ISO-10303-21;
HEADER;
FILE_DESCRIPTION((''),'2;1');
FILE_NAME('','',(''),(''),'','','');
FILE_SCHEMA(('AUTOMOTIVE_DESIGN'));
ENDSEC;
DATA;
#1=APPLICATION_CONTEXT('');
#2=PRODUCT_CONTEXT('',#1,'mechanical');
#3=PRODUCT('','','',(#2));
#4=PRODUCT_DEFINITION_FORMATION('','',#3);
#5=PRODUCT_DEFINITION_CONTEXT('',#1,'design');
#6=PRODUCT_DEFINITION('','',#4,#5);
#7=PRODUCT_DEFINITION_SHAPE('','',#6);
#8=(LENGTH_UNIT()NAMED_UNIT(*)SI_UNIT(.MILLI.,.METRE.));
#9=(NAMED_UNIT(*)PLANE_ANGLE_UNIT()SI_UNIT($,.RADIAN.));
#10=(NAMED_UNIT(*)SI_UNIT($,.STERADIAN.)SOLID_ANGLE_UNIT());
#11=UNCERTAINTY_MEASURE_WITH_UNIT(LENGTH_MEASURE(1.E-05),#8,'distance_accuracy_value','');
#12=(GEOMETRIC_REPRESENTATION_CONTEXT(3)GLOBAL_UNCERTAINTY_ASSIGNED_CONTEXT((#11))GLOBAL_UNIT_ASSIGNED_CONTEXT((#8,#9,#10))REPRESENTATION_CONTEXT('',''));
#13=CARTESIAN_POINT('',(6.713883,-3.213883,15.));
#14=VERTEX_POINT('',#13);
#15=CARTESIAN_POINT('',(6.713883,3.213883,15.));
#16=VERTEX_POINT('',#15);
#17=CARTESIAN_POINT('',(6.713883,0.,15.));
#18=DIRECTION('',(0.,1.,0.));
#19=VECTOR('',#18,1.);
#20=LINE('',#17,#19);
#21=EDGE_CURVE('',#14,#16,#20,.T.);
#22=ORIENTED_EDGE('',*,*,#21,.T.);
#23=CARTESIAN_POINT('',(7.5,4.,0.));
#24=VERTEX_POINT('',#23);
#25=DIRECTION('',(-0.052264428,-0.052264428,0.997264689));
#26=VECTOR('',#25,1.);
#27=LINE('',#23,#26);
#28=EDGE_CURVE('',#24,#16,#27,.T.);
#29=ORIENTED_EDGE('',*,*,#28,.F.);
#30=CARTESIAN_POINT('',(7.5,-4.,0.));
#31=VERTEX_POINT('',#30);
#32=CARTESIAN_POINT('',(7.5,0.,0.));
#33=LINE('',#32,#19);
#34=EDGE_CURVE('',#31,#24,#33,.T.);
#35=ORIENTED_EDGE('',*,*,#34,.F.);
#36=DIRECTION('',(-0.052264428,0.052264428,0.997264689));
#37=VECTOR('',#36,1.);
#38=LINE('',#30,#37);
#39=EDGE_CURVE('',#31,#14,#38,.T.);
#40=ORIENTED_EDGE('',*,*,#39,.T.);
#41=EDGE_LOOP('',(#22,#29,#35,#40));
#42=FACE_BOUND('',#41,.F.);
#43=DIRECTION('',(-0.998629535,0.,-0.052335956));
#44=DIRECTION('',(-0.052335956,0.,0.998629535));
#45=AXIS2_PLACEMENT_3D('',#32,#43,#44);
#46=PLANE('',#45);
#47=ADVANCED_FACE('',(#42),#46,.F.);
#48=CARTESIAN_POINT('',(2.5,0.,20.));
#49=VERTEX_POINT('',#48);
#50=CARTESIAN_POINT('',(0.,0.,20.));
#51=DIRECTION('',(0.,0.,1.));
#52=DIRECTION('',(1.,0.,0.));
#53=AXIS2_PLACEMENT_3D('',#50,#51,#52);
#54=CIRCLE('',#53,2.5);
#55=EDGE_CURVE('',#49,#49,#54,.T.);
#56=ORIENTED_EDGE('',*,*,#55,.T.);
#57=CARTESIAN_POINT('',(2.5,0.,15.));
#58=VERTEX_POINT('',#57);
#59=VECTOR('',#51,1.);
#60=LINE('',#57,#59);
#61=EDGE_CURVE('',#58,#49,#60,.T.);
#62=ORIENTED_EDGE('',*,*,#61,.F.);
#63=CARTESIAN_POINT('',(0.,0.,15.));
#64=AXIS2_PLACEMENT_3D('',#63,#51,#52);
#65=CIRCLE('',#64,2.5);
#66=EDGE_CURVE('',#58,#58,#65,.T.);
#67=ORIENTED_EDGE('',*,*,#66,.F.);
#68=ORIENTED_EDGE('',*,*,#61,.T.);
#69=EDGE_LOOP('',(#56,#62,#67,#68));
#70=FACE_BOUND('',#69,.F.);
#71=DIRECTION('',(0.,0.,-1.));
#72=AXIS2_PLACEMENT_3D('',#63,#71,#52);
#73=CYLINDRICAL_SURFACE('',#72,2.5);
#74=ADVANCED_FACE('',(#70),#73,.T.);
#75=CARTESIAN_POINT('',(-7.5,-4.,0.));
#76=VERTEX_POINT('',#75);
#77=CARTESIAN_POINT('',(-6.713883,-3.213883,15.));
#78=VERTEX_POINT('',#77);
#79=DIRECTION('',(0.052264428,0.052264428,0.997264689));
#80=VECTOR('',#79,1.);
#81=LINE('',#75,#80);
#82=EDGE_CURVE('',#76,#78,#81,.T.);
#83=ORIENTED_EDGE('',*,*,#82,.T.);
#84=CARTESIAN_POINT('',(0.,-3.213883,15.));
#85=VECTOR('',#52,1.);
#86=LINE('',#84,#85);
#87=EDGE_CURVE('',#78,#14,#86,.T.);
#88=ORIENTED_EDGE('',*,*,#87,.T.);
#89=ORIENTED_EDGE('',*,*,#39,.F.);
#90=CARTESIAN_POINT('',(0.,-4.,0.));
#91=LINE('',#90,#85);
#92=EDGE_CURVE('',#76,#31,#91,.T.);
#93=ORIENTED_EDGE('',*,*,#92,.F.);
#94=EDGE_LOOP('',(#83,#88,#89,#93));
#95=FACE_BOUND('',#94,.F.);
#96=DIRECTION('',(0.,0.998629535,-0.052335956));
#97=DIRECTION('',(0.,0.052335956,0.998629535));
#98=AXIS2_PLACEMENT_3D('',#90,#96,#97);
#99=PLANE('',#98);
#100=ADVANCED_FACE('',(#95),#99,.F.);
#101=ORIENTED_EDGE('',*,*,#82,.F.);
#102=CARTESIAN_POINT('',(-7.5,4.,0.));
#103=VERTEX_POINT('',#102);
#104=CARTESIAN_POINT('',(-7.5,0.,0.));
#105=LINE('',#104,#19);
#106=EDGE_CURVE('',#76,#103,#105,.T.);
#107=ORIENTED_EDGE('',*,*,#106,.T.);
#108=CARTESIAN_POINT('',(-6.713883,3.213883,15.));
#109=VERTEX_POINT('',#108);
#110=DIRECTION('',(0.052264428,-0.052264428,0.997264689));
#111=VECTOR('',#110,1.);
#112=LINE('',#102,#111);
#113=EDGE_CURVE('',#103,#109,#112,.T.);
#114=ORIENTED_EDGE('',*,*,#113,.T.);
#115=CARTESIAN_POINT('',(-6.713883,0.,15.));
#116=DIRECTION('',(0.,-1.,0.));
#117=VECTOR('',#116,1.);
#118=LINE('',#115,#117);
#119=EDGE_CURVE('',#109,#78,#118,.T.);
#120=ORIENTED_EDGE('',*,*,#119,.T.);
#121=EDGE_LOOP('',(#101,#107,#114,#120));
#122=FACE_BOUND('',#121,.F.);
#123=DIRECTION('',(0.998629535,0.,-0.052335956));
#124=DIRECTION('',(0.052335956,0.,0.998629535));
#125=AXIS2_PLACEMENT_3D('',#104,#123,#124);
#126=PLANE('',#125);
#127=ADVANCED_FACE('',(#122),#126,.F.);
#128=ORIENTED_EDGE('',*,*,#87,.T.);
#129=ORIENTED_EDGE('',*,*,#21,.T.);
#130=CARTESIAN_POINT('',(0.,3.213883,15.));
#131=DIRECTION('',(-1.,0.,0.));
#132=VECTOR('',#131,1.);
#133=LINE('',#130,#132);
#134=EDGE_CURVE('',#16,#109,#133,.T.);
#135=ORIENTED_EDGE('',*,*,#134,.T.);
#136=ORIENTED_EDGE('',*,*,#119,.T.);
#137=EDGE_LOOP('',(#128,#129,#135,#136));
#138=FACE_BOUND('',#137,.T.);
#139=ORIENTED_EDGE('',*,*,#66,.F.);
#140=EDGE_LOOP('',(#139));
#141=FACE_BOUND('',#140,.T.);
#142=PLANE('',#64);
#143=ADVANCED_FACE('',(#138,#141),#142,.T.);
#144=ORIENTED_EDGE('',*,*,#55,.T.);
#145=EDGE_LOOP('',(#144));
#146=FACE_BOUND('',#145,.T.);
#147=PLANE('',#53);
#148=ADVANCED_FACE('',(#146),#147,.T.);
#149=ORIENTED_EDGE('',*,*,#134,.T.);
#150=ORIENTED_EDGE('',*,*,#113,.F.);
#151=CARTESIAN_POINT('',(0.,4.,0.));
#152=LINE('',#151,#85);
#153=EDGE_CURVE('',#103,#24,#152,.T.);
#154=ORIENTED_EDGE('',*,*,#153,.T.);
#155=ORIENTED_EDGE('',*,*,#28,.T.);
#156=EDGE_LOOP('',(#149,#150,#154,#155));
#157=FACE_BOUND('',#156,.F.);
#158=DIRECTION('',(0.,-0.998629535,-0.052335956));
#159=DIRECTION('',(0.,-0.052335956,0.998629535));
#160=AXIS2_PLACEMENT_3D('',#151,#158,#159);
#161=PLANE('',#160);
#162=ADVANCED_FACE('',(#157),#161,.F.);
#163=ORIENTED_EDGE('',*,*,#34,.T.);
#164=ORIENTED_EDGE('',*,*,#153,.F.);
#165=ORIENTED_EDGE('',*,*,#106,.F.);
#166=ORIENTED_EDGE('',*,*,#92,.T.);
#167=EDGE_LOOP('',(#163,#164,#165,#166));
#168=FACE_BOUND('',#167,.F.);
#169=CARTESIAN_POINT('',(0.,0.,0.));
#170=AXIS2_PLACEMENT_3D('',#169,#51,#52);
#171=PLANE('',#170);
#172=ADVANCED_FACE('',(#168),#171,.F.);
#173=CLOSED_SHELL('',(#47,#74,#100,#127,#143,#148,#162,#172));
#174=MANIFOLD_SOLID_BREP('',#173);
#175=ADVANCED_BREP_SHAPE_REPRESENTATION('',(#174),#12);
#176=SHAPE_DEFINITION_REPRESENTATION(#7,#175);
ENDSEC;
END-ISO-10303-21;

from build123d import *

# Parameters (mm, degrees)
F0_W     = 15
F0_H     = 8
F1_DEPTH = 15
F1_TAPER = 3
F2_R     = 2.5
F3_DEPTH = 5


with BuildPart() as f1:
    # F0 (on Top) → F1 (new body)
    with BuildSketch(Plane.XY):
        Rectangle(F0_W, F0_H)
    extrude(amount=F1_DEPTH, taper=F1_TAPER)

    # F2 (on face) → F3 (join)
    with BuildSketch(Plane.XY.offset(15)):
        Circle(F2_R)
    extrude(amount=F3_DEPTH)


solid = f1.part
